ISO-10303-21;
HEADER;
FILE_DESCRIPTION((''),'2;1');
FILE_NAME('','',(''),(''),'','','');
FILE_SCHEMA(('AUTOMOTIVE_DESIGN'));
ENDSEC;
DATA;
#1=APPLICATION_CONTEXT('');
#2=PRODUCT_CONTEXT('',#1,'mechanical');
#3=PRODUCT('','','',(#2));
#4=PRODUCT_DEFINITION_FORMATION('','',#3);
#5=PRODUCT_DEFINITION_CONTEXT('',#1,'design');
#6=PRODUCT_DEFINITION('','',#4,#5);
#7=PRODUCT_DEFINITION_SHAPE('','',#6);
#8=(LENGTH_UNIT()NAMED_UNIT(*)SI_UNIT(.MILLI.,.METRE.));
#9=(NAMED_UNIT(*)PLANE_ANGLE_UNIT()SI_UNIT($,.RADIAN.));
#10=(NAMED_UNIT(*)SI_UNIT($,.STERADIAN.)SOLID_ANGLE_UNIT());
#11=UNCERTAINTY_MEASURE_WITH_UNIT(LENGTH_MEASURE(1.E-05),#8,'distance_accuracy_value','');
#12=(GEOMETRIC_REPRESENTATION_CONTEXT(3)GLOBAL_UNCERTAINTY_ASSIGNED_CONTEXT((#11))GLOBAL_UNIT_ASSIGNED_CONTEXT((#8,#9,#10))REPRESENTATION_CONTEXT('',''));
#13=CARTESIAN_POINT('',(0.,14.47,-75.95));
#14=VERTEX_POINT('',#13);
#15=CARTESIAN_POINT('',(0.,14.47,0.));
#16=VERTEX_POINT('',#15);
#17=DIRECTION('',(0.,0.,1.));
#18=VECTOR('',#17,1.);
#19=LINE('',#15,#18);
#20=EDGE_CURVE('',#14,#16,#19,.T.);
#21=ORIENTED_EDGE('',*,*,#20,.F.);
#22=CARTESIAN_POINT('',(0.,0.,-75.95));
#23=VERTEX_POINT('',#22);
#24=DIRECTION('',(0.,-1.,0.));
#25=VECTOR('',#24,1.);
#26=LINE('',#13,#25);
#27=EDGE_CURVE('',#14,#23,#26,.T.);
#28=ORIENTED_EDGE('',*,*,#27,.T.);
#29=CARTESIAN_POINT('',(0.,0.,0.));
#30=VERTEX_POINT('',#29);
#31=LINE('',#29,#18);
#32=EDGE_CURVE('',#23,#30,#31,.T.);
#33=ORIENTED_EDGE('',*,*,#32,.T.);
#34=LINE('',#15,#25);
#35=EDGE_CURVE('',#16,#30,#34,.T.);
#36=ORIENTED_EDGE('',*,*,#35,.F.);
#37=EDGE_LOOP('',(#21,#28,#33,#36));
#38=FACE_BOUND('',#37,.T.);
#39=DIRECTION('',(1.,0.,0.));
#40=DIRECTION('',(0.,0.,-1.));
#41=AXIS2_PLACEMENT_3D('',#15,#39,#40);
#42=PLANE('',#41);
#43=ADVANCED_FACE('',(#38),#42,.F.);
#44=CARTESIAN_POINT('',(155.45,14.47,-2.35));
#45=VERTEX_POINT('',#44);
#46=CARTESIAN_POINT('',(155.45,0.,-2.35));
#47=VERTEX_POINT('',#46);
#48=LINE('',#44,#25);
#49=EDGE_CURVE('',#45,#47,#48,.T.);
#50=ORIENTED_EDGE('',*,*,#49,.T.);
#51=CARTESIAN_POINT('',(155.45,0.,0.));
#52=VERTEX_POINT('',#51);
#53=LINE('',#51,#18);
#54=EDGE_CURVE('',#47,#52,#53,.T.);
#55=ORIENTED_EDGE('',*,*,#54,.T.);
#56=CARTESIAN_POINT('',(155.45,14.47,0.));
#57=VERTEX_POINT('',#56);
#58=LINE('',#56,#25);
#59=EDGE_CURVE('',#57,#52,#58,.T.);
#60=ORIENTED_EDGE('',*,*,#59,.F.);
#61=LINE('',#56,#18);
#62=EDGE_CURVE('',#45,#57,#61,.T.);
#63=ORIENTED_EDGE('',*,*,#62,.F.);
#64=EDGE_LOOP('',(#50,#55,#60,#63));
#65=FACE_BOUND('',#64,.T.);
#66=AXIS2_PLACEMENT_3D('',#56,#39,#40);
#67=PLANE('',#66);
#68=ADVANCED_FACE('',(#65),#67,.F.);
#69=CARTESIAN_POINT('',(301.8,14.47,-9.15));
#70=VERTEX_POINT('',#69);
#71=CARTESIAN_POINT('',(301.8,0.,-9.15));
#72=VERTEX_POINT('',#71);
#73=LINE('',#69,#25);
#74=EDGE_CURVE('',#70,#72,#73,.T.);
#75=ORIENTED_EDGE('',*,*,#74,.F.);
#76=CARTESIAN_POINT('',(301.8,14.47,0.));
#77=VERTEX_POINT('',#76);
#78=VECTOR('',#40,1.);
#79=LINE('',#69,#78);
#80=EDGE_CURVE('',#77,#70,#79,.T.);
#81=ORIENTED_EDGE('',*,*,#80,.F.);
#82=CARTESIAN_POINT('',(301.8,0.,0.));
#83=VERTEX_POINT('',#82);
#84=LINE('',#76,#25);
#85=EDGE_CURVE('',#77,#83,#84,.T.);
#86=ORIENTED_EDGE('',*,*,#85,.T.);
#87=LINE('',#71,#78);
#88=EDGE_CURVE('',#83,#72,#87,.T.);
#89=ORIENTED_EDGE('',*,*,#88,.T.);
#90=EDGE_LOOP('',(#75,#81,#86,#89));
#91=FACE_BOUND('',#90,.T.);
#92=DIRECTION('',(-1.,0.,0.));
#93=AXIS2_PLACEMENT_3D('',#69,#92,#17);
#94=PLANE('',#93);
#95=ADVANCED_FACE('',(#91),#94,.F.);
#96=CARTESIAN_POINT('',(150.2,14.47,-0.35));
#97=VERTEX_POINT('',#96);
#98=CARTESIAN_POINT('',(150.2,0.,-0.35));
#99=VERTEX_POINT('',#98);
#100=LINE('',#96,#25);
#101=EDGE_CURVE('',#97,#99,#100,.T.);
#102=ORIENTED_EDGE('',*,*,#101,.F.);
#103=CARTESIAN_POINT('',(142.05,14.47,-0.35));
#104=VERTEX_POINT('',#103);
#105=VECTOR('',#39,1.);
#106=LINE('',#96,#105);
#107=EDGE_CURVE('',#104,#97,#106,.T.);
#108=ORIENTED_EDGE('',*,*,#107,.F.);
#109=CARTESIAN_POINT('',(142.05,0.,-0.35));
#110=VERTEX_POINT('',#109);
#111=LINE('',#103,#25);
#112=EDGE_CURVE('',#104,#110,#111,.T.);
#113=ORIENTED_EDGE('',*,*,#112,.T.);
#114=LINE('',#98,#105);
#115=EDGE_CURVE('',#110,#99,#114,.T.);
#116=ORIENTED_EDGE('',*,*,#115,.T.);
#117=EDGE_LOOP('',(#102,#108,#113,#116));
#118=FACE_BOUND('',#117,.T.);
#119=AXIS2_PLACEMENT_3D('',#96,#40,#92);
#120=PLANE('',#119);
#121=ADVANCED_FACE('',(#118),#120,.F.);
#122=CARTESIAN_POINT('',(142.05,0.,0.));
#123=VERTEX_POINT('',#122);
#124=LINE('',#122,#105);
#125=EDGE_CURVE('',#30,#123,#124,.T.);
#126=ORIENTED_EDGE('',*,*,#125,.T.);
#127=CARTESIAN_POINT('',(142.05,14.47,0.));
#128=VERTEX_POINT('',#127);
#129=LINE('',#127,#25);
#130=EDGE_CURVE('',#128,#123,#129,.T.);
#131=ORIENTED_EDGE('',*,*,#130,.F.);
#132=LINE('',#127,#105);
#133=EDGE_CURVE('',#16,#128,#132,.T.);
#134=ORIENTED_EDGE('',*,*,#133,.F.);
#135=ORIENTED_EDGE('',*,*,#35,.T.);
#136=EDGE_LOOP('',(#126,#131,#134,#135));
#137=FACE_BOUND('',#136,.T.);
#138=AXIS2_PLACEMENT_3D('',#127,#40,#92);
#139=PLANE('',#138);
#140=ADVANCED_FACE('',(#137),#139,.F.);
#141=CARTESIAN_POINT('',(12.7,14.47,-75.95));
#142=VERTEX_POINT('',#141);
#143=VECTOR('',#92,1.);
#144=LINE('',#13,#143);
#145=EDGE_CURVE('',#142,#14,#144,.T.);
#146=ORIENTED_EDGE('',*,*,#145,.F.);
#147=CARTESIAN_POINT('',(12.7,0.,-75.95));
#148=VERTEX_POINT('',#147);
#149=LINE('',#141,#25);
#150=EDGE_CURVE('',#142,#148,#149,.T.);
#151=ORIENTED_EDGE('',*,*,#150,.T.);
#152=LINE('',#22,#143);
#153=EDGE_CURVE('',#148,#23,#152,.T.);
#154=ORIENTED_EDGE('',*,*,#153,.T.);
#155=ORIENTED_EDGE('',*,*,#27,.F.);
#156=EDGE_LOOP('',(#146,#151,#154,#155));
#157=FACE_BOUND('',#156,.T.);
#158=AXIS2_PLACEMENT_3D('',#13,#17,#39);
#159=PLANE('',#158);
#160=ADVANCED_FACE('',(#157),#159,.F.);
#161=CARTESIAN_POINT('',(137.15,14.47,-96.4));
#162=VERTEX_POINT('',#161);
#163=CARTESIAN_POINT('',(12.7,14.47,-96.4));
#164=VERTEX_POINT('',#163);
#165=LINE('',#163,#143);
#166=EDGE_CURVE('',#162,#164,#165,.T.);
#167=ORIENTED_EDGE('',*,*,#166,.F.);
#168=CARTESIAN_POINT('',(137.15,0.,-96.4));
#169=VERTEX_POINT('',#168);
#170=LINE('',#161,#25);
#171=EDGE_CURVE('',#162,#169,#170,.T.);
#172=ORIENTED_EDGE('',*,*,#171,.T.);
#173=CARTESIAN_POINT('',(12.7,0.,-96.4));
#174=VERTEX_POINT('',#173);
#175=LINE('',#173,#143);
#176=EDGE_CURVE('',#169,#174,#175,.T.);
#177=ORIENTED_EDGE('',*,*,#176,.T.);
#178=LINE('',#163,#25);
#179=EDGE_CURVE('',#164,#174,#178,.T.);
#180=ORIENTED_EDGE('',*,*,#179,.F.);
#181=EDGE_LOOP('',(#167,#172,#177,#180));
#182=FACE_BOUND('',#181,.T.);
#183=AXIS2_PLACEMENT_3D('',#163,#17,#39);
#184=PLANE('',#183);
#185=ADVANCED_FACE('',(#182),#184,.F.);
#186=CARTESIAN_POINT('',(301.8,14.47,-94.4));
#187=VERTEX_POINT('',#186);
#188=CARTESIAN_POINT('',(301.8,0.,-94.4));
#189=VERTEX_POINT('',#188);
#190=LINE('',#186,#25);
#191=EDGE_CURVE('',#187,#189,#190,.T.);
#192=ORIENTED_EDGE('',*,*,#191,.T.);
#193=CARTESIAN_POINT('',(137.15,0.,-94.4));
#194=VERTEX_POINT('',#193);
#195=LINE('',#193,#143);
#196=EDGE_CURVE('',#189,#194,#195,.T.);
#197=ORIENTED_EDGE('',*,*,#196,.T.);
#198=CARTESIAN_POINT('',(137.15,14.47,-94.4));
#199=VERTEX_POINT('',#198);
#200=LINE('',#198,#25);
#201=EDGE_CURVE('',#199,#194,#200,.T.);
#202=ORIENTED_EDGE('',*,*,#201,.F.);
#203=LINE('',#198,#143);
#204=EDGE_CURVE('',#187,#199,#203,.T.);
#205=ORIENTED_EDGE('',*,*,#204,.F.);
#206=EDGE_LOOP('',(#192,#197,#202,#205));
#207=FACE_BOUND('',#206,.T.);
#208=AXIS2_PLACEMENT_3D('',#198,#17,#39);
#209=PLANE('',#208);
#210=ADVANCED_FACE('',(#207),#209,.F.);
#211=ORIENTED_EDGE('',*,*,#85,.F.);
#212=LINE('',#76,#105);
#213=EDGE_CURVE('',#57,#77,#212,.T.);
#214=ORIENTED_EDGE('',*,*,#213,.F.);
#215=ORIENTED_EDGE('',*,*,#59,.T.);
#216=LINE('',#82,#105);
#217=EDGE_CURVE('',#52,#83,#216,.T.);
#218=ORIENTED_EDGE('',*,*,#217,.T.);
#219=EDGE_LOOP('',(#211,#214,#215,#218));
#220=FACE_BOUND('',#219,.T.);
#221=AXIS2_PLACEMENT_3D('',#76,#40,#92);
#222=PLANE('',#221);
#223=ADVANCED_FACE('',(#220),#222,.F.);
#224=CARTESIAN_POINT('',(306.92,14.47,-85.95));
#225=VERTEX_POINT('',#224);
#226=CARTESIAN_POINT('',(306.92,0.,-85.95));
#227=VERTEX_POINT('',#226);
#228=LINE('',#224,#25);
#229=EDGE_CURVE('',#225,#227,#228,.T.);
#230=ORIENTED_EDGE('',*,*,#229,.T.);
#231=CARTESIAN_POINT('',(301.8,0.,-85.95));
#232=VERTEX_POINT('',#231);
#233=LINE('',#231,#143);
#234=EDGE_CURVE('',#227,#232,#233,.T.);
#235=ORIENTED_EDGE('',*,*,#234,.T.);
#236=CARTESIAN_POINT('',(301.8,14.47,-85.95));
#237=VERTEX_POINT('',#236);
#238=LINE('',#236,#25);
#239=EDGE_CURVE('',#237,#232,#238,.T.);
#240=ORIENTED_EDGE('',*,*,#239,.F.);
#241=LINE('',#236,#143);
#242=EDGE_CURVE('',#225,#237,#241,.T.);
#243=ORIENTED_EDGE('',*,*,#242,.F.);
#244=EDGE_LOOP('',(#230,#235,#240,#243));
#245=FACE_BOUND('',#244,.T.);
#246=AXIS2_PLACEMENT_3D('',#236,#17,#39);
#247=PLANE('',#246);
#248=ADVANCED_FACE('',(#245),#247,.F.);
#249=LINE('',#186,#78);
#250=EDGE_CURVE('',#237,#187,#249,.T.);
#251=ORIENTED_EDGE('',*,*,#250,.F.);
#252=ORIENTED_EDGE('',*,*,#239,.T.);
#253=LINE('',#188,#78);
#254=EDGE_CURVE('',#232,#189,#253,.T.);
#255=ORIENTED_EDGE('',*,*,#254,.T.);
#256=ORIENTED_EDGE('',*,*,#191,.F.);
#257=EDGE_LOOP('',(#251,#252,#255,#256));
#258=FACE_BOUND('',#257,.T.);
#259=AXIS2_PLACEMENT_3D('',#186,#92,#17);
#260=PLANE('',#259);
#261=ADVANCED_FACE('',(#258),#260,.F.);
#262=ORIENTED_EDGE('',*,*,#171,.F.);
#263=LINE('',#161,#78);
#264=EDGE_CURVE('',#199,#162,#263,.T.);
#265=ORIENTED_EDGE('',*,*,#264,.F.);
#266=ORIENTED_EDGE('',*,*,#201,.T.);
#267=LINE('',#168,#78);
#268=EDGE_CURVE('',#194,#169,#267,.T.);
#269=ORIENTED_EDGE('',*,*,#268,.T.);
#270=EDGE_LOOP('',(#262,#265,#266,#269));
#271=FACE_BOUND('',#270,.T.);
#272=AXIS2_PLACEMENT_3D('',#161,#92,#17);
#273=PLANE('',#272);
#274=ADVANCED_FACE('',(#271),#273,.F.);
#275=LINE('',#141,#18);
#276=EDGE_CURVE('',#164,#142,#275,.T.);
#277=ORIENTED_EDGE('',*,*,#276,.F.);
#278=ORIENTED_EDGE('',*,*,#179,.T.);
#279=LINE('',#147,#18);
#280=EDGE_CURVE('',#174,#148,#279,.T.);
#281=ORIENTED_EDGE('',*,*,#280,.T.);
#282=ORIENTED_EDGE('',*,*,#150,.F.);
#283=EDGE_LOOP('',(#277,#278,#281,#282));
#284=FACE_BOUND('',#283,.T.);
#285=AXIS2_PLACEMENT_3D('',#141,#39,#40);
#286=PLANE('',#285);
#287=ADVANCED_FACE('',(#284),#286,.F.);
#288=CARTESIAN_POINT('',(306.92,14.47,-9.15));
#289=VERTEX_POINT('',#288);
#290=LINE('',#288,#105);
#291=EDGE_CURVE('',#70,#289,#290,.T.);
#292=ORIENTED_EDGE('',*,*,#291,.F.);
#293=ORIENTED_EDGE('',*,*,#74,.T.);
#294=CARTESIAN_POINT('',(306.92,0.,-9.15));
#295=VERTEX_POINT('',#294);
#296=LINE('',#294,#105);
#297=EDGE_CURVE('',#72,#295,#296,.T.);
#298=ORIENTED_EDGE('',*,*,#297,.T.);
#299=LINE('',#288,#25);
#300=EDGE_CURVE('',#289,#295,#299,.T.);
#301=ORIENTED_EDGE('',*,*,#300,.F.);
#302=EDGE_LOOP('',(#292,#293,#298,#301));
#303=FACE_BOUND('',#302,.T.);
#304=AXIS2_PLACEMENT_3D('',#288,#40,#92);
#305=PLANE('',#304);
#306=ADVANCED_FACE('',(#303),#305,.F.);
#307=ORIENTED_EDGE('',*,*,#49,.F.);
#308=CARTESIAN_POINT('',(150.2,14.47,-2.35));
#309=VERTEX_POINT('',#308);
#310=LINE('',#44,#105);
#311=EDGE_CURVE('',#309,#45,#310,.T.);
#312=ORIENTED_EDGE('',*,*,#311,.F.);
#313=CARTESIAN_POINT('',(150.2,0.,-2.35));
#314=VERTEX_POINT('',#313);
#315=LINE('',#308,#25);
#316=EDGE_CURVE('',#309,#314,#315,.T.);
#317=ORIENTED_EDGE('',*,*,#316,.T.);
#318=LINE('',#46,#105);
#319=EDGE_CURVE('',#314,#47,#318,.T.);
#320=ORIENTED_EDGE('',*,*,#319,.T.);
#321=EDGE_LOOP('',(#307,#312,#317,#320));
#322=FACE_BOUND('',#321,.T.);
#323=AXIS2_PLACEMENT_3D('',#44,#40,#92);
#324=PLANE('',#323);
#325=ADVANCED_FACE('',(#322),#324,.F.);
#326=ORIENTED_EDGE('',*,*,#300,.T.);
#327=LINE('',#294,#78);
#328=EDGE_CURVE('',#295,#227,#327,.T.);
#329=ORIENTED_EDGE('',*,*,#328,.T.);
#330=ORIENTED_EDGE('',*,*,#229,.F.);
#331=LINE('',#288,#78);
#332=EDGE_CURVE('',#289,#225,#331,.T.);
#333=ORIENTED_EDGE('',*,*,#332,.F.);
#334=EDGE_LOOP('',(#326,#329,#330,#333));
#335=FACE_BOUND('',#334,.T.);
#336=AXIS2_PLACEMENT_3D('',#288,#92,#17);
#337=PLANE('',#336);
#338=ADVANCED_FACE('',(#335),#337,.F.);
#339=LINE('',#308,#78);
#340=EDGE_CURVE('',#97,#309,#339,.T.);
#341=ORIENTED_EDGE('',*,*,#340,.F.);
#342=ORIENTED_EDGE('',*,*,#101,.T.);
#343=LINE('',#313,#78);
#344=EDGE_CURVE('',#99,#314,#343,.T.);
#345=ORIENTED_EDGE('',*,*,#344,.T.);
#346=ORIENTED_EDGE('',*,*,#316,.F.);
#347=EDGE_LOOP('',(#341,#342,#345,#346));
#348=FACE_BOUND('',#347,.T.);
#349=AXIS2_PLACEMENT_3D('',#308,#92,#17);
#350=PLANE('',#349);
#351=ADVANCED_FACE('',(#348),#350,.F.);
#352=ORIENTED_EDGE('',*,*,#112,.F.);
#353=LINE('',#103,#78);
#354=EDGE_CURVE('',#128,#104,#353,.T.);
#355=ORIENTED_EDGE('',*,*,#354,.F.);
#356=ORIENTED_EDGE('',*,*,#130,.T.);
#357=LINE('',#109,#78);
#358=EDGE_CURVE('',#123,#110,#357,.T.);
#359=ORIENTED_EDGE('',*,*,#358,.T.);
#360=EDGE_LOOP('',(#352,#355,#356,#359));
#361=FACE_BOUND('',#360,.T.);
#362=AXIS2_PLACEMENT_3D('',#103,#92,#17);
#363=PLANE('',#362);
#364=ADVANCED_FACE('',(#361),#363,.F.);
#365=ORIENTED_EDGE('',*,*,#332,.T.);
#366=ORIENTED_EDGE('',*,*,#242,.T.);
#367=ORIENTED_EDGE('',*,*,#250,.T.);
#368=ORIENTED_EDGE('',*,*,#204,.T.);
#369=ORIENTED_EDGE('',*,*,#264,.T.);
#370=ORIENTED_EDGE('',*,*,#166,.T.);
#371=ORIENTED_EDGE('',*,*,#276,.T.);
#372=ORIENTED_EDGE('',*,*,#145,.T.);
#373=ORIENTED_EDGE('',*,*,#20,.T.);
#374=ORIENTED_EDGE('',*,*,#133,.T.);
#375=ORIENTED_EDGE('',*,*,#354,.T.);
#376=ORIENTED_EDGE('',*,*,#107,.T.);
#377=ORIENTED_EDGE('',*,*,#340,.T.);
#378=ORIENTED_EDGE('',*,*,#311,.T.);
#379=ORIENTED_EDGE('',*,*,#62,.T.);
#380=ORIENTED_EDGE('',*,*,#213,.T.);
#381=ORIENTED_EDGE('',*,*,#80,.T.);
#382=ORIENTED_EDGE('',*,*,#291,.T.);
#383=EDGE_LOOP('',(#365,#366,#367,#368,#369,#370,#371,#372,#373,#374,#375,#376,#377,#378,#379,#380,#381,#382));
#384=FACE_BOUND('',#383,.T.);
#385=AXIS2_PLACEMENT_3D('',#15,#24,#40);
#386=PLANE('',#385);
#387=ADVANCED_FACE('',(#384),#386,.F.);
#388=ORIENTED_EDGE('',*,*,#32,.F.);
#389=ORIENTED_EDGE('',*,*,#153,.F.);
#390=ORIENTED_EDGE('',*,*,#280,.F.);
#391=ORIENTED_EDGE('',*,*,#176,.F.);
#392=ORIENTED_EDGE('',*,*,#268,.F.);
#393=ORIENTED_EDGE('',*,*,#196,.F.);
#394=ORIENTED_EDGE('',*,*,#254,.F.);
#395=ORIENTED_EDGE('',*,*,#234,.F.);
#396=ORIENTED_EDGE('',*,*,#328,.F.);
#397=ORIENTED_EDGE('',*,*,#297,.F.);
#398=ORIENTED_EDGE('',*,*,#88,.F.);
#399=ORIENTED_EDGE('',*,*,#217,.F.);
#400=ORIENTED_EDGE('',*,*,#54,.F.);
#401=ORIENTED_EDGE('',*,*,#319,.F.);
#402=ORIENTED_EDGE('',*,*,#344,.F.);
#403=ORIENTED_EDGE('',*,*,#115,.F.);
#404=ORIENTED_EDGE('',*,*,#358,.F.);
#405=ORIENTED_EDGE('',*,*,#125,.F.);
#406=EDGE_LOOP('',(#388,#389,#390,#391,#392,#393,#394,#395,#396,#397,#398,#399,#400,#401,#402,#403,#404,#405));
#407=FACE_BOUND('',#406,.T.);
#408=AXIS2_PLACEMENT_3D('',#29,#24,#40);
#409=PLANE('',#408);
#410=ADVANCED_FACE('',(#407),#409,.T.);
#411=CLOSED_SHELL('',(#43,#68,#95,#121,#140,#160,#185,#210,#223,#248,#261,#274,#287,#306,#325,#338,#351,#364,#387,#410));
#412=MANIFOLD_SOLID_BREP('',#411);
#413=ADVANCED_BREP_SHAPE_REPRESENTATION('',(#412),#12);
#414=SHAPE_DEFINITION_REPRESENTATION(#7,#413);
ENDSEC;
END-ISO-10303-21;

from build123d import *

# Parameters (mm, degrees)
BOSS_EXTRUDE1_DEPTH = 14.47


with BuildPart() as part:
    # Sketch1 → Boss-Extrude1 (new body)
    with BuildSketch(Plane(origin=(0, 0, 0), x_dir=(1, 0, 0), z_dir=(0, 1, 0))):
        Polygon((0, 0), (0, 75.95), (12.7, 75.95), (12.7, 96.4), (137.15, 96.4), (137.15, 94.4), (301.8, 94.4), (301.8, 85.95), (306.92, 85.95), (306.92, 9.15), (301.8, 9.15), (301.8, 0), (155.45, 0), (155.45, 2.35), (150.2, 2.35), (150.2, 0.35), (142.05, 0.35), (142.05, 0), align=None)
    extrude(amount=BOSS_EXTRUDE1_DEPTH)


solid = part.part
